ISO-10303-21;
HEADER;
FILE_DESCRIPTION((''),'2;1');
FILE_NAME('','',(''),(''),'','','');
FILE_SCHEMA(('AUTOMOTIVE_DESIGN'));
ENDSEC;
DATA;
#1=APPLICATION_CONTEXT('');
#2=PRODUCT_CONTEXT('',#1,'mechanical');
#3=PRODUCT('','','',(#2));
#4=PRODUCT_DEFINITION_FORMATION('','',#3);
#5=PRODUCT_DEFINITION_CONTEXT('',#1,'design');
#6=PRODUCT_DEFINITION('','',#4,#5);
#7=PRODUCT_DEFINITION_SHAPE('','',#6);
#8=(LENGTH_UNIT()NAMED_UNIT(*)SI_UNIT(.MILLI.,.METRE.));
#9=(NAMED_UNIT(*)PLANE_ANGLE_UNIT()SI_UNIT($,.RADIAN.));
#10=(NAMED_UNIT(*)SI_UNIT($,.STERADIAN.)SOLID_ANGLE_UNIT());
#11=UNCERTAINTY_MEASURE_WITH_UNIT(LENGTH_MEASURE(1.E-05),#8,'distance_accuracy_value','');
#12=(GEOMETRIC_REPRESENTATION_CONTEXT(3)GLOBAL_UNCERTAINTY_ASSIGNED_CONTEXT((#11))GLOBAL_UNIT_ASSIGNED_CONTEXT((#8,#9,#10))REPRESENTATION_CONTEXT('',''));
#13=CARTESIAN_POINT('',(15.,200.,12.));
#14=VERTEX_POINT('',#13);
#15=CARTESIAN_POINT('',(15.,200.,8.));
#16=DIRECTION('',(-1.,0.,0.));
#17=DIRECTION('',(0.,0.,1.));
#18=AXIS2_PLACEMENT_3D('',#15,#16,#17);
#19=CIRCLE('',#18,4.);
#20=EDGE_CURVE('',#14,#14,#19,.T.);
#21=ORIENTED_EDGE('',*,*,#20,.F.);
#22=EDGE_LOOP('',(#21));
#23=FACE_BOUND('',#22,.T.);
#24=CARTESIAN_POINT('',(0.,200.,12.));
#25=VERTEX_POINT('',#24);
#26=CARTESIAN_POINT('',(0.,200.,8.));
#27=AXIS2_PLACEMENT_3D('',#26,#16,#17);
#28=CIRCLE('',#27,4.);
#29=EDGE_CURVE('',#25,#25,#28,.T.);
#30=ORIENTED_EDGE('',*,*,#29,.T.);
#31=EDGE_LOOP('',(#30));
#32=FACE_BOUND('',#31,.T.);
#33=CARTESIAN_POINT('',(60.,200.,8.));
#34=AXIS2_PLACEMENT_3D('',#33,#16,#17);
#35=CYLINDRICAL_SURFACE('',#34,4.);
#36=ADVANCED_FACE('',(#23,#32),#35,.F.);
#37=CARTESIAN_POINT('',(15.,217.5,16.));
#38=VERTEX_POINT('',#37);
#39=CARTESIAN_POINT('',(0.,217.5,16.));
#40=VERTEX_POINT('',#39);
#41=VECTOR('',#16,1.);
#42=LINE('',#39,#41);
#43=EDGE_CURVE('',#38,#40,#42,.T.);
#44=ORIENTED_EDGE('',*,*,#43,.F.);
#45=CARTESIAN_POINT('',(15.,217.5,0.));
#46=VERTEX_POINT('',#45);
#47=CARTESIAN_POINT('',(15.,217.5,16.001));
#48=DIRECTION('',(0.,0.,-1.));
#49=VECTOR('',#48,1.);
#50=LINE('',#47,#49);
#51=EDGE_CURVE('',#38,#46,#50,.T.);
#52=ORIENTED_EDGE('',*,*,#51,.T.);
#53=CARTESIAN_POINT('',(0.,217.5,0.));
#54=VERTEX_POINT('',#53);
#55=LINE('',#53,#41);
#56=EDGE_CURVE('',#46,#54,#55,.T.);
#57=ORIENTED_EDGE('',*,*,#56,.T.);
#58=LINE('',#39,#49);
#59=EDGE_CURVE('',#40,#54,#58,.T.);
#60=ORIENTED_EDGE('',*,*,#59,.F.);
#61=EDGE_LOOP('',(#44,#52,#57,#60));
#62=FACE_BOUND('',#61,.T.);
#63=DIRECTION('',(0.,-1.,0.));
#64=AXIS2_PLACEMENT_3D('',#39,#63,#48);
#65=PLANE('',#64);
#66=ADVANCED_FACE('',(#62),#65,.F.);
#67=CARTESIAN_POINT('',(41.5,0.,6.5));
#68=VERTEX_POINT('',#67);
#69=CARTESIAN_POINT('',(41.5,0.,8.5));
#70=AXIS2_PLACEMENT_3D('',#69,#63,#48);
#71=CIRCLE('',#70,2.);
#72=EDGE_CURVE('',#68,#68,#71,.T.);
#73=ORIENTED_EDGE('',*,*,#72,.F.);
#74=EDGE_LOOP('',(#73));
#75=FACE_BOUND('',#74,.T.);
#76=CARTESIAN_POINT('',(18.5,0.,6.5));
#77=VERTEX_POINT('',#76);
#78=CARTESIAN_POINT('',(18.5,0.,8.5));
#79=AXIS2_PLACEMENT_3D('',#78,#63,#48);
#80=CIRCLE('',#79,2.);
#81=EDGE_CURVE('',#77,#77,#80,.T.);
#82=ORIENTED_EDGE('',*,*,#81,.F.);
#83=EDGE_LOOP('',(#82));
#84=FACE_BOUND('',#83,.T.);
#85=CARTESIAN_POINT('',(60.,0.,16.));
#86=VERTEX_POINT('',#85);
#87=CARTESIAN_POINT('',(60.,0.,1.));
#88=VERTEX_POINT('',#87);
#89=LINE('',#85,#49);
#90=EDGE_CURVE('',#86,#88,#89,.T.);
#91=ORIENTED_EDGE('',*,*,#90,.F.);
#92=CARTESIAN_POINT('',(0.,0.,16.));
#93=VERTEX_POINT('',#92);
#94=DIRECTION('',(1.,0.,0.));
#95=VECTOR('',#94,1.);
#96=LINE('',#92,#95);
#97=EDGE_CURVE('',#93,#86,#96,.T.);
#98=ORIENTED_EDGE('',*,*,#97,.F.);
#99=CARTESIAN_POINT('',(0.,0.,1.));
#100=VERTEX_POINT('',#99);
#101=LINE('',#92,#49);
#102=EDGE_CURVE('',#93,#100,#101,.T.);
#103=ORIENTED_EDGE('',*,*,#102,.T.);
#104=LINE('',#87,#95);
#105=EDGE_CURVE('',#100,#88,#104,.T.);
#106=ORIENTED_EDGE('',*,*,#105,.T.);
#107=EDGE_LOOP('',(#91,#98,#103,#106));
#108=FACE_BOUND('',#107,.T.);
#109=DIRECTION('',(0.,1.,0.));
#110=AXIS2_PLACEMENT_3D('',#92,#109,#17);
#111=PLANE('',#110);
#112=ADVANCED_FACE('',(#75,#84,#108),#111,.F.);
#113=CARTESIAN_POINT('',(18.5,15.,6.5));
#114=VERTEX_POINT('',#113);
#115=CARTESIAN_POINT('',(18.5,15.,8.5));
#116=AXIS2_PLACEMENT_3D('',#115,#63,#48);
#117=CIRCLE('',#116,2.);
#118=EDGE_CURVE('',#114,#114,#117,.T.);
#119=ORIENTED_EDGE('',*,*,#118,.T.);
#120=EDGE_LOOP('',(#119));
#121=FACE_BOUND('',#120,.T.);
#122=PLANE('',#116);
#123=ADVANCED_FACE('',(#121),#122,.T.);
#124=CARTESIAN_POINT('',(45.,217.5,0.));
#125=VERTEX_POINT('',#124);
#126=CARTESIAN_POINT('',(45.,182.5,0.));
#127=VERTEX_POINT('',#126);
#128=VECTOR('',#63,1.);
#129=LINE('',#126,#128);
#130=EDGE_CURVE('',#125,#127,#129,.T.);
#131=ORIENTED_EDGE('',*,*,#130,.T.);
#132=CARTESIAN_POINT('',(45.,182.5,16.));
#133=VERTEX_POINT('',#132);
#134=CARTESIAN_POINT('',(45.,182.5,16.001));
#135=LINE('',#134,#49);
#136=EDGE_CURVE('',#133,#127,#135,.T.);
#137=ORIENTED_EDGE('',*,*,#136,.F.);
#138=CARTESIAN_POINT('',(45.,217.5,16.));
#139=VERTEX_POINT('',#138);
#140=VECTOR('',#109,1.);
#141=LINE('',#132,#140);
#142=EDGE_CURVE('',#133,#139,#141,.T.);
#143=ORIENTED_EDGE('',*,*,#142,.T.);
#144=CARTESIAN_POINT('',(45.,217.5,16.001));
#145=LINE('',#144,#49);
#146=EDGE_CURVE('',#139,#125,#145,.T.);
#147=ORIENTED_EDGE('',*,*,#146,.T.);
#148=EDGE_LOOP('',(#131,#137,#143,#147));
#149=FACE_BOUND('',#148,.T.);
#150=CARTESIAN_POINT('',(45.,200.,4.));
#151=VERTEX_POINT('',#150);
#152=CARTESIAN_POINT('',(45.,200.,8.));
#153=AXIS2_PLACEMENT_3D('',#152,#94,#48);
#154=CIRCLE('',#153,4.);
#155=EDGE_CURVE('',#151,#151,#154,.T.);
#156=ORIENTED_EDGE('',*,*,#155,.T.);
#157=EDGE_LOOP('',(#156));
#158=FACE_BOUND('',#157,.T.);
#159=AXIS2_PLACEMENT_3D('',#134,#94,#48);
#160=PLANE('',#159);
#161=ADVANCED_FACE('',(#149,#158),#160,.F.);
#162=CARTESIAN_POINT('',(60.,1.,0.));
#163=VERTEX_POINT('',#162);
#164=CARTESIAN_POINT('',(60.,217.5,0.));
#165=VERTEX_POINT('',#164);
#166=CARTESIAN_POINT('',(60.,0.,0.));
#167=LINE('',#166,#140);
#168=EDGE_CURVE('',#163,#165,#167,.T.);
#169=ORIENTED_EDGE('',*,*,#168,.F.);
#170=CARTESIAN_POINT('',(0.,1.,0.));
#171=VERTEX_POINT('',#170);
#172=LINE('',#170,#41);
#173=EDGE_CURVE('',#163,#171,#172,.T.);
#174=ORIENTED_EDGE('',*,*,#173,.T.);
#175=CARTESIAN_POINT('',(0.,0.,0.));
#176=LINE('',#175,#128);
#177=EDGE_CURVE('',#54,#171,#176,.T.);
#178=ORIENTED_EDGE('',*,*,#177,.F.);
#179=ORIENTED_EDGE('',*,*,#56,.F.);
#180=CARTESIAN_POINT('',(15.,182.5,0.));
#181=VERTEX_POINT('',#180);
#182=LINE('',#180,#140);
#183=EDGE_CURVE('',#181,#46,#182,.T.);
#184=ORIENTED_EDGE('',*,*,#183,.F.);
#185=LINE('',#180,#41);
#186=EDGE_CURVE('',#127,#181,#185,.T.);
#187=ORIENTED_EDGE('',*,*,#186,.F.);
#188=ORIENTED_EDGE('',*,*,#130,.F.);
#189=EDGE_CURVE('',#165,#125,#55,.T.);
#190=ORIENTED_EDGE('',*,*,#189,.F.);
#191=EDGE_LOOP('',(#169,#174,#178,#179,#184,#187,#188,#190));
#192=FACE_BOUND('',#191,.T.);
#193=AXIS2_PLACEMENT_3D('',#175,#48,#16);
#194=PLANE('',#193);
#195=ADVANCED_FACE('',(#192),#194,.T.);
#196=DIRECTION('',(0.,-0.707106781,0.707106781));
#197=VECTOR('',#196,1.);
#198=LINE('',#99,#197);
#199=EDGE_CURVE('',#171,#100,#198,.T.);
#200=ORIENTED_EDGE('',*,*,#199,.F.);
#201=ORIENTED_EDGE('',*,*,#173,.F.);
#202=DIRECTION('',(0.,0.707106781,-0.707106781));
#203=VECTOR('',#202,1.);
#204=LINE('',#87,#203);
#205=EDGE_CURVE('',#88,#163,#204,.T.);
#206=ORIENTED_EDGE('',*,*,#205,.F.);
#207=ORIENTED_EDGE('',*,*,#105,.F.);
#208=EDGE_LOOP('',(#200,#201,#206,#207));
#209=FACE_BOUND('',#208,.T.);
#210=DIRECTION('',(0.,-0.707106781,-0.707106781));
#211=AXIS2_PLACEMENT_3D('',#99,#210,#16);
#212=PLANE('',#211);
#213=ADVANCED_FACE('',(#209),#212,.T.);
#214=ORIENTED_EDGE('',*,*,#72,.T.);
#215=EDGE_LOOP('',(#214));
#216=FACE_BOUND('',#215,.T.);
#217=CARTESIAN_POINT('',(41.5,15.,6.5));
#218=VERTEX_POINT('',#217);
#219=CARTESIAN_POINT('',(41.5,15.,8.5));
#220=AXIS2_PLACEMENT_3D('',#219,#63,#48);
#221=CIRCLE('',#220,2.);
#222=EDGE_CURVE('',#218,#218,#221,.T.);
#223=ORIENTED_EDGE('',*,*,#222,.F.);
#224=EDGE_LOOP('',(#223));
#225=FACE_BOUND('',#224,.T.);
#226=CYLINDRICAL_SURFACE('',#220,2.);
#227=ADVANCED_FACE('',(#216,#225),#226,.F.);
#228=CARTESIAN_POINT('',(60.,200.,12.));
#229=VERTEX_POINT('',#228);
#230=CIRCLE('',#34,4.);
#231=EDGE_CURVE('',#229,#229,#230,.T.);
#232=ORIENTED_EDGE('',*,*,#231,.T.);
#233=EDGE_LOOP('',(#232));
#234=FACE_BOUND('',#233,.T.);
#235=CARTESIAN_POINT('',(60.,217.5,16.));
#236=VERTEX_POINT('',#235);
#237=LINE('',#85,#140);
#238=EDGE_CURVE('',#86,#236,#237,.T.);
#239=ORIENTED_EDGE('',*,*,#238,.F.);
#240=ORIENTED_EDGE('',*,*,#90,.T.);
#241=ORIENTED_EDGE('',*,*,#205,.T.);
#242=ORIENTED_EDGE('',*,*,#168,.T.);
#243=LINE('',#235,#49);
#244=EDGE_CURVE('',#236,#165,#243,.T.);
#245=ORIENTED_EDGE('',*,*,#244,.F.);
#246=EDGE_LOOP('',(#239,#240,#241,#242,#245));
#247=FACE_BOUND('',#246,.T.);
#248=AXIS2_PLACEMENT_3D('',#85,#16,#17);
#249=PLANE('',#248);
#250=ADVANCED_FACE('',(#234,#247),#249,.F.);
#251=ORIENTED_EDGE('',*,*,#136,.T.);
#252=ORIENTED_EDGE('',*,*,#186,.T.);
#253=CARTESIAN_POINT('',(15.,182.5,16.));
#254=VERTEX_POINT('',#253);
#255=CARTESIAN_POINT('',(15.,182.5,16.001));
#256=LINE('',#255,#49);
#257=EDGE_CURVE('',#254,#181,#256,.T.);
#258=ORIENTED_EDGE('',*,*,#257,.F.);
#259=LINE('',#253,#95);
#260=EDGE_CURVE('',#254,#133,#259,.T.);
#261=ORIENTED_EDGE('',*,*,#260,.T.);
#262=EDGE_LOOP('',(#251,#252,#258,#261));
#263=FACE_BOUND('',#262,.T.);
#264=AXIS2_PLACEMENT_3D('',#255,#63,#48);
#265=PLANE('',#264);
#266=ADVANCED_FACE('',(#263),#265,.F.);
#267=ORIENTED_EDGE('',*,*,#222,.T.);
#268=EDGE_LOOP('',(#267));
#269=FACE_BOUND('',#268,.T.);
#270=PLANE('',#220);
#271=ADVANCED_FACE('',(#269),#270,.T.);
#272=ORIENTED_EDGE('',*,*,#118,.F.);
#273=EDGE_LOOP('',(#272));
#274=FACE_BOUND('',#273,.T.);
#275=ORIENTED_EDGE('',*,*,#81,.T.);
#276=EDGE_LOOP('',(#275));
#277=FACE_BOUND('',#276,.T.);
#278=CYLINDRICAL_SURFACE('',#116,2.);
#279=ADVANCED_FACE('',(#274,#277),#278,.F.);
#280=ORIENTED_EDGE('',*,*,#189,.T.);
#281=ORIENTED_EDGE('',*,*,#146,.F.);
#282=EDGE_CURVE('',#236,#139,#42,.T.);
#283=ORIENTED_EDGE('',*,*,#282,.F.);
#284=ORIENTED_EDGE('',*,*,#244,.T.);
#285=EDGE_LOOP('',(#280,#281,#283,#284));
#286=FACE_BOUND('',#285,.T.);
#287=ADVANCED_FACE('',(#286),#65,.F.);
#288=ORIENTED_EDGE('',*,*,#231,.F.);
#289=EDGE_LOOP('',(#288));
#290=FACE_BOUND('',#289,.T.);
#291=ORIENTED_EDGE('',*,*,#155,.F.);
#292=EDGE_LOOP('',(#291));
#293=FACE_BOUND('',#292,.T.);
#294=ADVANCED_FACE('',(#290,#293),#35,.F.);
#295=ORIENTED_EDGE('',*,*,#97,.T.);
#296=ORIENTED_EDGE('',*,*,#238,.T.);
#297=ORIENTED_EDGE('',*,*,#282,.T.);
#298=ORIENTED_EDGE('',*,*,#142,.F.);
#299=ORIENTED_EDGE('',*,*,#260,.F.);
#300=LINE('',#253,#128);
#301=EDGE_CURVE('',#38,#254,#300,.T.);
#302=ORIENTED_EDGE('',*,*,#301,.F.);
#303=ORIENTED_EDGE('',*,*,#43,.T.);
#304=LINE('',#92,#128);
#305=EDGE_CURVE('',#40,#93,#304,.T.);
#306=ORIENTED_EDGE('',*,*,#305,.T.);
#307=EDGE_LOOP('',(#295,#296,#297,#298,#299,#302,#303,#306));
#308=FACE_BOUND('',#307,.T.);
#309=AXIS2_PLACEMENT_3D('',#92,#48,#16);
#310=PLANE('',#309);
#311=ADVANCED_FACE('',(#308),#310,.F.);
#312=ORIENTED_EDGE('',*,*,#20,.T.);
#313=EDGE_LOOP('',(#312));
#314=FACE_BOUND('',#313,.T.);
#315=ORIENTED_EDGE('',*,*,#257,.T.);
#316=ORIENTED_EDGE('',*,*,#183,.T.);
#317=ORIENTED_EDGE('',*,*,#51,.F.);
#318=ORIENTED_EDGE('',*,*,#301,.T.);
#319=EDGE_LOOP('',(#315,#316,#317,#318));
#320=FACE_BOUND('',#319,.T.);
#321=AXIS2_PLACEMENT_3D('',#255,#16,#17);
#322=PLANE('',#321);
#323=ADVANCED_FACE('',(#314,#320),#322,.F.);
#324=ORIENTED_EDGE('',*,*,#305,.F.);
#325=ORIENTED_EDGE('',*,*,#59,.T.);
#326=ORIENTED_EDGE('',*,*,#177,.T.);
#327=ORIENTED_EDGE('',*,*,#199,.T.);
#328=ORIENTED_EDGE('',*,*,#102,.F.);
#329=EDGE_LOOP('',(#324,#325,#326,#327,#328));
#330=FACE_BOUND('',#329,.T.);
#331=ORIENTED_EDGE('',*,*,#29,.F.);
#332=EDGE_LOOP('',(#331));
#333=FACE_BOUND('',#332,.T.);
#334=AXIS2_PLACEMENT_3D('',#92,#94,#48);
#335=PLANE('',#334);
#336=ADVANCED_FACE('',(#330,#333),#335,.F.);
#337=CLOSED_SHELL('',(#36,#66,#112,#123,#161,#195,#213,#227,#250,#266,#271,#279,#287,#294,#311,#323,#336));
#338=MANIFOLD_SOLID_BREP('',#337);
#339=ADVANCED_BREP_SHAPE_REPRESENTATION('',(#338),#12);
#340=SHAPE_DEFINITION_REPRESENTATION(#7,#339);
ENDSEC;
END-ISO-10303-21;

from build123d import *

# Parameters (mm, degrees)
SKETCH1_W               = 60
SKETCH1_H               = 250
BOSS_EXTRUDE1_DEPTH     = 16
CHAMFER1_SIZE           = 1
SKETCH2_R               = 2
CUT_EXTRUDE1_DEPTH      = 15
CUT_EXTRUDE4_REACH      = 259.597
SKETCH5_W               = 30
SKETCH5_H               = 35
CUT_EXTRUDE5_DEPTH      = 255.521118967
CUT_EXTRUDE5_DEPTH_BACK = 255.521118967
SKETCH6_R               = 4
SKETCH7_W               = 60
SKETCH7_H               = 32.5
CUT_EXTRUDE6_DEPTH      = 258.596583828


with BuildPart() as part:
    # Sketch1 → Boss-Extrude1 (new body)
    with BuildSketch(Plane.XY):
        with Locations((30, 125)):
            Rectangle(SKETCH1_W, SKETCH1_H)
    extrude(amount=BOSS_EXTRUDE1_DEPTH)

    # Chamfer1
    chamfer1_edges = [part.edges().sort_by_distance(p)[0] for p in [
        (30, 0, 0),
    ]]
    chamfer(chamfer1_edges, length=CHAMFER1_SIZE)

    # Sketch2 → Cut-Extrude1 (cut)
    with BuildSketch(Plane(origin=(0, 0, 0), x_dir=(-1, 0, 0), z_dir=(0, -1, 0))):
        with Locations(Location((-41.5, -8.5, 0), (0, 0, 90))):
            Circle(SKETCH2_R)
        with Locations(Location((-18.5, -8.5, 0), (0, 0, 90))):
            Circle(SKETCH2_R)
    extrude(amount=-CUT_EXTRUDE1_DEPTH, mode=Mode.SUBTRACT)

    # Sketch5 → Cut-Extrude4 (cut, up to next)
    with BuildSketch(Plane(origin=(0, 0, 0), x_dir=(-1, 0, 0), z_dir=(0, 0, -1)), mode=Mode.PRIVATE) as cut_extrude4_sk1:
        with Locations((-30, 200)):
            Rectangle(SKETCH5_W, SKETCH5_H)
    cut_extrude4_tool1 = extrude(cut_extrude4_sk1.sketch, amount=-CUT_EXTRUDE4_REACH, mode=Mode.PRIVATE) & part.part
    add(cut_extrude4_tool1.solids().sort_by_distance((30, 200, 0))[0], mode=Mode.SUBTRACT)

    # Sketch6 → Cut-Extrude5 (cut, two sides: drawn at the far end of the back side and taken through both)
    with BuildSketch(Plane.ZY.offset(-45).offset(-CUT_EXTRUDE5_DEPTH_BACK)):
        with Locations((8, 200)):
            Circle(SKETCH6_R)
    extrude(amount=CUT_EXTRUDE5_DEPTH + CUT_EXTRUDE5_DEPTH_BACK, mode=Mode.SUBTRACT)

    # Sketch7 → Cut-Extrude6 (cut, through all)
    with BuildSketch(Plane(origin=(0, 0, 0), x_dir=(-1, 0, 0), z_dir=(0, 0, -1))):
        with Locations((-30, 233.75)):
            Rectangle(SKETCH7_W, SKETCH7_H)
    extrude(amount=-CUT_EXTRUDE6_DEPTH, mode=Mode.SUBTRACT)


solid = part.part
